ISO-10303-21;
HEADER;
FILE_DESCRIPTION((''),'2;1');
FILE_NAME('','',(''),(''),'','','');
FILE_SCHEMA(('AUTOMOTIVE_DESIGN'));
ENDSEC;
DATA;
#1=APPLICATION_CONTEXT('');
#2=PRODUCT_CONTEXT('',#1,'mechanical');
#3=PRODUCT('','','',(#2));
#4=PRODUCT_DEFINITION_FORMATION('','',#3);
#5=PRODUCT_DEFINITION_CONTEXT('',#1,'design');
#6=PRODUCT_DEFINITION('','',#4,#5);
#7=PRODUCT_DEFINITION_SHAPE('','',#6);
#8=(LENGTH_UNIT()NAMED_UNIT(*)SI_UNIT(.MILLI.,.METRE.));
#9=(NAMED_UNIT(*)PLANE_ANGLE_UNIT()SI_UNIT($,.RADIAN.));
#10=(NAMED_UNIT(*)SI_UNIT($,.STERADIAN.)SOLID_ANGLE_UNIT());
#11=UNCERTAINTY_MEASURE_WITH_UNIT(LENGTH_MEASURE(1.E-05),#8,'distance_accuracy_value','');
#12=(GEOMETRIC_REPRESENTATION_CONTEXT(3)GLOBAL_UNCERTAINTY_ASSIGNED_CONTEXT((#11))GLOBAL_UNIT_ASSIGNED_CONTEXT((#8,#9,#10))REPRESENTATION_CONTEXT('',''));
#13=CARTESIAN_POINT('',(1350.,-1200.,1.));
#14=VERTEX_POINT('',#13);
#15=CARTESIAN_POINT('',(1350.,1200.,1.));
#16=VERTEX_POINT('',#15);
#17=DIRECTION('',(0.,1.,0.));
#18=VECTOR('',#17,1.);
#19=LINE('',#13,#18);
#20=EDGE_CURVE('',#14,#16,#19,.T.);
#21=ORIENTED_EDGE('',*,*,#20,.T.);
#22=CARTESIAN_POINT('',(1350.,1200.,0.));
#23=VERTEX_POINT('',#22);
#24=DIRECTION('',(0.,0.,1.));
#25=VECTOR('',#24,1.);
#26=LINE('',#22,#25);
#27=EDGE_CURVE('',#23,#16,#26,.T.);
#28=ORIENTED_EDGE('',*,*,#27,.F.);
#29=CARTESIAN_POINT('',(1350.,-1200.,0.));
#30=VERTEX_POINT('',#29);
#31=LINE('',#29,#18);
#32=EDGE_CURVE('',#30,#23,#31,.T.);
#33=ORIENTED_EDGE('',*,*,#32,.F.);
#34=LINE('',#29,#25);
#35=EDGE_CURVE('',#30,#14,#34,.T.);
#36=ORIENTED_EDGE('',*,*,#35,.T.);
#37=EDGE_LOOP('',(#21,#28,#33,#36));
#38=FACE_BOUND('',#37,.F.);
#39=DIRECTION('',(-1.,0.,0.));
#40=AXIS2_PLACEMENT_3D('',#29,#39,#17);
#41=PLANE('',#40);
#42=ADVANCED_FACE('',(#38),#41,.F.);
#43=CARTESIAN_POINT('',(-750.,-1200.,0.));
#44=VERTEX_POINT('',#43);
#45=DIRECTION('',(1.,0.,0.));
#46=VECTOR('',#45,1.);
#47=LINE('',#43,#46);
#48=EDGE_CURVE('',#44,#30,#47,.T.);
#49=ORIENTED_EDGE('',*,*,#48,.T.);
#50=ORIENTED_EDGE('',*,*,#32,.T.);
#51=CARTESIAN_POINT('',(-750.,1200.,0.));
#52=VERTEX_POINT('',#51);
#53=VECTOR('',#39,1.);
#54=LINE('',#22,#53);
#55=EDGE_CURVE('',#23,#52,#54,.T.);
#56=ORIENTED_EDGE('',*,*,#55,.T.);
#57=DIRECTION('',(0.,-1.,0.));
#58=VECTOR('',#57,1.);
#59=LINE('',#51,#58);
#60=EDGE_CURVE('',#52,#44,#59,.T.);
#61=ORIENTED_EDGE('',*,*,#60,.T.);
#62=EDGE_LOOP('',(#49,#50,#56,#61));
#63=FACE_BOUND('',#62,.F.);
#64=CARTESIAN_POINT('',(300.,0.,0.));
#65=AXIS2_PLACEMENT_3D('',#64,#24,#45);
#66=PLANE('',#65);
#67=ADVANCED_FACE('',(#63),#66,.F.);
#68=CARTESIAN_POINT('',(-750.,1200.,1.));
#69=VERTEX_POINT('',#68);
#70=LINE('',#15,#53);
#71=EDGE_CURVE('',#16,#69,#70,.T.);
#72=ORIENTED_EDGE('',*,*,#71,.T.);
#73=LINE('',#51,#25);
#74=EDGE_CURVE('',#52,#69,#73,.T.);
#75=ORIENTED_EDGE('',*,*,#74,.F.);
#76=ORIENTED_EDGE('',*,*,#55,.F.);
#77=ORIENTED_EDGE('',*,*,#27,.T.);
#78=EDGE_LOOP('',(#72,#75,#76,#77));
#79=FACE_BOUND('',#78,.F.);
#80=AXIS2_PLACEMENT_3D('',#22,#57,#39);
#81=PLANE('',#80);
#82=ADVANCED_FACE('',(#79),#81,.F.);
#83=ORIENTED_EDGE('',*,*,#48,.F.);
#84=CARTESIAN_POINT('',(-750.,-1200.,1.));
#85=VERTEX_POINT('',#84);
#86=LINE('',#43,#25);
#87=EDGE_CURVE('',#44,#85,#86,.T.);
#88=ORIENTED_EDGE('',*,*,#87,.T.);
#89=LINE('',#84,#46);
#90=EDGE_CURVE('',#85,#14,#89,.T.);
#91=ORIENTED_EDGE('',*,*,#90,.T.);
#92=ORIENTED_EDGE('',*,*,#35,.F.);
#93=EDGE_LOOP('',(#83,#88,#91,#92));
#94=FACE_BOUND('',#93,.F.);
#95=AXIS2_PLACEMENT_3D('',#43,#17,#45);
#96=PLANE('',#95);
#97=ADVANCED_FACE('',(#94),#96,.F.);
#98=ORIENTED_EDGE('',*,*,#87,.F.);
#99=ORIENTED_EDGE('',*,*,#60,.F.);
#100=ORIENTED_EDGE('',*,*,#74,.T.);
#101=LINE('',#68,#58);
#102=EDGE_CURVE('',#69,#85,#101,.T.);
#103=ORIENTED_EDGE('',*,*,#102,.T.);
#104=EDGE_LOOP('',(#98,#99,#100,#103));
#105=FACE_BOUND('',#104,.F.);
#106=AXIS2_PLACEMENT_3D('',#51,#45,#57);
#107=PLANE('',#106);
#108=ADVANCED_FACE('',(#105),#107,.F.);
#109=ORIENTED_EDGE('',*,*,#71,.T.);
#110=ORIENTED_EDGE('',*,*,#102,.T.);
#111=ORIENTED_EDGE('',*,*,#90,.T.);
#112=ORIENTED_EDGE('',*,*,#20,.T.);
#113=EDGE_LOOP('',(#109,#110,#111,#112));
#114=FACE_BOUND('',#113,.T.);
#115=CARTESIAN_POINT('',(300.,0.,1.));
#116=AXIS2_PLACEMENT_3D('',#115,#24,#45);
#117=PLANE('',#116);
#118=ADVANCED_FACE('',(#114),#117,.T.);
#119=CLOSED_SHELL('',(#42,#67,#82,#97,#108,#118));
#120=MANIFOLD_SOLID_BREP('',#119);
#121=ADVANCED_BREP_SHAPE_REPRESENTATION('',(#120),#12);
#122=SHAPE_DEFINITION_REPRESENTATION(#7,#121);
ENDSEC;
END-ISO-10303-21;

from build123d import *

# Parameters (mm, degrees)
F0_W     = 1100
F0_H     = 800
F1_DEPTH = 1


with BuildPart() as f1:
    # F0 (on Top) → F1 (new body)
    with BuildSketch(Plane.XY):
        Polygon((-750, -1134.7698926926), (-750, -1200), (1350, -1200), (1350, 1200), (-750, 1200), (-750, 1057.4456095695), (-750, 907.4456095695), (-750, 759.5543324947), (-750, 609.5543324947), (-750, 466.9999420643), (-750, 316.9999420643), (-750, 188.3945055429), (-750, 38.3945055429), (-750, -104.1598848875), (-750, -254.1598848875), (-750, -402.0511619623), (-750, -552.0511619623), (-750, -694.6055523928), (-750, -844.6055523928), (-750, -992.2155022621), align=None)
        Rectangle(F0_W, F0_H, mode=Mode.SUBTRACT)
        Rectangle(F0_W, F0_H)
    extrude(amount=F1_DEPTH)


solid = f1.part
